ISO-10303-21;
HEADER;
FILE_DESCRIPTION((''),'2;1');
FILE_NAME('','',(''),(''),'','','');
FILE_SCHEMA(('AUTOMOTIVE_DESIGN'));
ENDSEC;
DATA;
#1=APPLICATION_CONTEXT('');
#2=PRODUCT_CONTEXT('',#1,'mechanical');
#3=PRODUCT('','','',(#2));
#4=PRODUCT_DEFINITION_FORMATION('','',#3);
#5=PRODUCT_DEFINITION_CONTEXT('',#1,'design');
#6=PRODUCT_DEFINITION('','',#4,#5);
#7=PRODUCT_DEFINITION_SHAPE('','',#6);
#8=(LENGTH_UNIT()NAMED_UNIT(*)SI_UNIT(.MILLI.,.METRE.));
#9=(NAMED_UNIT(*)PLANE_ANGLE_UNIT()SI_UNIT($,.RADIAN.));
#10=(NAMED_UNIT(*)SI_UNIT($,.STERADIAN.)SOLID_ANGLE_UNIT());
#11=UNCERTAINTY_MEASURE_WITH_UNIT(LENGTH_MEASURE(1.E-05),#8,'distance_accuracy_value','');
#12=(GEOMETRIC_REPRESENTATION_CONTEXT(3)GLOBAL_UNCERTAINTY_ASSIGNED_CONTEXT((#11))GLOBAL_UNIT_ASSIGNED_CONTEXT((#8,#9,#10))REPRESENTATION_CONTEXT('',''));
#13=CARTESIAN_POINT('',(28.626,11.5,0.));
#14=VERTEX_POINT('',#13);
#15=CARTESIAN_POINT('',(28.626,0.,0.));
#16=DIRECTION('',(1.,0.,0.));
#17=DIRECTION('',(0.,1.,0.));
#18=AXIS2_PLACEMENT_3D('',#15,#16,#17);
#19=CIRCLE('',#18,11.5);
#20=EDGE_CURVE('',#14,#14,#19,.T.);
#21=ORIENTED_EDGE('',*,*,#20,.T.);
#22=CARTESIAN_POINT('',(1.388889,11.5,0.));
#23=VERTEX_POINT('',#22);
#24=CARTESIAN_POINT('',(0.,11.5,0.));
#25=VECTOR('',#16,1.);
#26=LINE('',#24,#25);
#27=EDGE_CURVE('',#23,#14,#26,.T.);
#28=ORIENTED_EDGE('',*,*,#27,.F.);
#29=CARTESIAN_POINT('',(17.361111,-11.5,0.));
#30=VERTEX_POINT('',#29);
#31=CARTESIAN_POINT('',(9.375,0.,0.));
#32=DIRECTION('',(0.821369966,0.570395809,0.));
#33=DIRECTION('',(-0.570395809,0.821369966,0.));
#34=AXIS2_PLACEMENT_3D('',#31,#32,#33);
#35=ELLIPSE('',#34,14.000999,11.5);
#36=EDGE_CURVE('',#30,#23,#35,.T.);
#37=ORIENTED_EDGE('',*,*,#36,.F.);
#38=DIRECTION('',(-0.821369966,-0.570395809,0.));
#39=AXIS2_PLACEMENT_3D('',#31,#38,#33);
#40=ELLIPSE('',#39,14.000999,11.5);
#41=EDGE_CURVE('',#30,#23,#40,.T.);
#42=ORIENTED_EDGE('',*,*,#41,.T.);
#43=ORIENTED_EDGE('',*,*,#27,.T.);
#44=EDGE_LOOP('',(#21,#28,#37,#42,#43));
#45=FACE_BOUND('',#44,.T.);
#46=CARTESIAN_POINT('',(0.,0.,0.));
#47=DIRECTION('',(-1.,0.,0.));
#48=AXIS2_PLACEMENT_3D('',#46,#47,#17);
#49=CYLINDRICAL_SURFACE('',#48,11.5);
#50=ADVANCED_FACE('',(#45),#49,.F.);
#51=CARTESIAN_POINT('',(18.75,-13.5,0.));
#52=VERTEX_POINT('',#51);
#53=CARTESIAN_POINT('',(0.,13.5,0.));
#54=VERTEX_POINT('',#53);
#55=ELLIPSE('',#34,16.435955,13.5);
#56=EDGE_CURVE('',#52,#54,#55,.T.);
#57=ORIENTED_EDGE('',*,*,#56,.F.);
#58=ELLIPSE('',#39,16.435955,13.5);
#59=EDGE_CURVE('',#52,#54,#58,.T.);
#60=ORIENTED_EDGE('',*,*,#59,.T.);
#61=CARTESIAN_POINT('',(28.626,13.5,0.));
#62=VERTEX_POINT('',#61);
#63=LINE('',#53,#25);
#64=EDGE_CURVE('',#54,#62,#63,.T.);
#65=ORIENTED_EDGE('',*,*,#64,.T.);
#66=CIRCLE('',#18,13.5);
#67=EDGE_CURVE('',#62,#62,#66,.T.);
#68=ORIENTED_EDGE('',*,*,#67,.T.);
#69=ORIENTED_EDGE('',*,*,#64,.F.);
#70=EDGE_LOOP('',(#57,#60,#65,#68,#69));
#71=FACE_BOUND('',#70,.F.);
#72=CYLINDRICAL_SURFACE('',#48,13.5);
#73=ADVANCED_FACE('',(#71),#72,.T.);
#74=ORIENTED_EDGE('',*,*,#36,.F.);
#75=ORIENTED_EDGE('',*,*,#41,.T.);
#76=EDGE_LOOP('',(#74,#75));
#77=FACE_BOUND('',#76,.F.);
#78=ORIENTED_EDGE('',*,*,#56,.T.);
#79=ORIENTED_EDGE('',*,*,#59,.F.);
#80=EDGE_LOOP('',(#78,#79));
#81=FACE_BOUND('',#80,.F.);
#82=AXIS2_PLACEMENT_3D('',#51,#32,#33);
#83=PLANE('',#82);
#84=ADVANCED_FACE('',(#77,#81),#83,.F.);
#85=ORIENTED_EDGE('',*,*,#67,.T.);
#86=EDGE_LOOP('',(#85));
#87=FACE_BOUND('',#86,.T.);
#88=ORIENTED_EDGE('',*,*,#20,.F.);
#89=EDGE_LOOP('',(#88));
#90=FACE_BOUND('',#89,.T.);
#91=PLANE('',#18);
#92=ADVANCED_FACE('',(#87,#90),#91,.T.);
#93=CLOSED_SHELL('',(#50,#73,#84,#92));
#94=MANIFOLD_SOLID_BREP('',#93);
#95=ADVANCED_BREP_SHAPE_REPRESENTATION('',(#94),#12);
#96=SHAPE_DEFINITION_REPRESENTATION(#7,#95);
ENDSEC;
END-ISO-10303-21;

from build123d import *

# Parameters (mm, degrees)
F0_R          = 13.5
F0_R_2        = 11.5
F1_DEPTH      = 28.626
F3_DEPTH      = 25
F3_DEPTH_BACK = 25


with BuildPart() as f1:
    # F0 (on Right) → F1 (new body)
    with BuildSketch(Plane.YZ):
        Circle(F0_R)
        Circle(F0_R_2, mode=Mode.SUBTRACT)
    extrude(amount=F1_DEPTH)

    # F2 (on Top) → F3 (cut, two sides)
    with BuildSketch(Plane.XY) as f3_sk:
        Polygon((18.75, -13.5), (0, 13.5), (0, -13.5), align=None)
    extrude(amount=F3_DEPTH, mode=Mode.SUBTRACT)
    extrude(f3_sk.sketch, amount=-F3_DEPTH_BACK, mode=Mode.SUBTRACT)


solid = f1.part
